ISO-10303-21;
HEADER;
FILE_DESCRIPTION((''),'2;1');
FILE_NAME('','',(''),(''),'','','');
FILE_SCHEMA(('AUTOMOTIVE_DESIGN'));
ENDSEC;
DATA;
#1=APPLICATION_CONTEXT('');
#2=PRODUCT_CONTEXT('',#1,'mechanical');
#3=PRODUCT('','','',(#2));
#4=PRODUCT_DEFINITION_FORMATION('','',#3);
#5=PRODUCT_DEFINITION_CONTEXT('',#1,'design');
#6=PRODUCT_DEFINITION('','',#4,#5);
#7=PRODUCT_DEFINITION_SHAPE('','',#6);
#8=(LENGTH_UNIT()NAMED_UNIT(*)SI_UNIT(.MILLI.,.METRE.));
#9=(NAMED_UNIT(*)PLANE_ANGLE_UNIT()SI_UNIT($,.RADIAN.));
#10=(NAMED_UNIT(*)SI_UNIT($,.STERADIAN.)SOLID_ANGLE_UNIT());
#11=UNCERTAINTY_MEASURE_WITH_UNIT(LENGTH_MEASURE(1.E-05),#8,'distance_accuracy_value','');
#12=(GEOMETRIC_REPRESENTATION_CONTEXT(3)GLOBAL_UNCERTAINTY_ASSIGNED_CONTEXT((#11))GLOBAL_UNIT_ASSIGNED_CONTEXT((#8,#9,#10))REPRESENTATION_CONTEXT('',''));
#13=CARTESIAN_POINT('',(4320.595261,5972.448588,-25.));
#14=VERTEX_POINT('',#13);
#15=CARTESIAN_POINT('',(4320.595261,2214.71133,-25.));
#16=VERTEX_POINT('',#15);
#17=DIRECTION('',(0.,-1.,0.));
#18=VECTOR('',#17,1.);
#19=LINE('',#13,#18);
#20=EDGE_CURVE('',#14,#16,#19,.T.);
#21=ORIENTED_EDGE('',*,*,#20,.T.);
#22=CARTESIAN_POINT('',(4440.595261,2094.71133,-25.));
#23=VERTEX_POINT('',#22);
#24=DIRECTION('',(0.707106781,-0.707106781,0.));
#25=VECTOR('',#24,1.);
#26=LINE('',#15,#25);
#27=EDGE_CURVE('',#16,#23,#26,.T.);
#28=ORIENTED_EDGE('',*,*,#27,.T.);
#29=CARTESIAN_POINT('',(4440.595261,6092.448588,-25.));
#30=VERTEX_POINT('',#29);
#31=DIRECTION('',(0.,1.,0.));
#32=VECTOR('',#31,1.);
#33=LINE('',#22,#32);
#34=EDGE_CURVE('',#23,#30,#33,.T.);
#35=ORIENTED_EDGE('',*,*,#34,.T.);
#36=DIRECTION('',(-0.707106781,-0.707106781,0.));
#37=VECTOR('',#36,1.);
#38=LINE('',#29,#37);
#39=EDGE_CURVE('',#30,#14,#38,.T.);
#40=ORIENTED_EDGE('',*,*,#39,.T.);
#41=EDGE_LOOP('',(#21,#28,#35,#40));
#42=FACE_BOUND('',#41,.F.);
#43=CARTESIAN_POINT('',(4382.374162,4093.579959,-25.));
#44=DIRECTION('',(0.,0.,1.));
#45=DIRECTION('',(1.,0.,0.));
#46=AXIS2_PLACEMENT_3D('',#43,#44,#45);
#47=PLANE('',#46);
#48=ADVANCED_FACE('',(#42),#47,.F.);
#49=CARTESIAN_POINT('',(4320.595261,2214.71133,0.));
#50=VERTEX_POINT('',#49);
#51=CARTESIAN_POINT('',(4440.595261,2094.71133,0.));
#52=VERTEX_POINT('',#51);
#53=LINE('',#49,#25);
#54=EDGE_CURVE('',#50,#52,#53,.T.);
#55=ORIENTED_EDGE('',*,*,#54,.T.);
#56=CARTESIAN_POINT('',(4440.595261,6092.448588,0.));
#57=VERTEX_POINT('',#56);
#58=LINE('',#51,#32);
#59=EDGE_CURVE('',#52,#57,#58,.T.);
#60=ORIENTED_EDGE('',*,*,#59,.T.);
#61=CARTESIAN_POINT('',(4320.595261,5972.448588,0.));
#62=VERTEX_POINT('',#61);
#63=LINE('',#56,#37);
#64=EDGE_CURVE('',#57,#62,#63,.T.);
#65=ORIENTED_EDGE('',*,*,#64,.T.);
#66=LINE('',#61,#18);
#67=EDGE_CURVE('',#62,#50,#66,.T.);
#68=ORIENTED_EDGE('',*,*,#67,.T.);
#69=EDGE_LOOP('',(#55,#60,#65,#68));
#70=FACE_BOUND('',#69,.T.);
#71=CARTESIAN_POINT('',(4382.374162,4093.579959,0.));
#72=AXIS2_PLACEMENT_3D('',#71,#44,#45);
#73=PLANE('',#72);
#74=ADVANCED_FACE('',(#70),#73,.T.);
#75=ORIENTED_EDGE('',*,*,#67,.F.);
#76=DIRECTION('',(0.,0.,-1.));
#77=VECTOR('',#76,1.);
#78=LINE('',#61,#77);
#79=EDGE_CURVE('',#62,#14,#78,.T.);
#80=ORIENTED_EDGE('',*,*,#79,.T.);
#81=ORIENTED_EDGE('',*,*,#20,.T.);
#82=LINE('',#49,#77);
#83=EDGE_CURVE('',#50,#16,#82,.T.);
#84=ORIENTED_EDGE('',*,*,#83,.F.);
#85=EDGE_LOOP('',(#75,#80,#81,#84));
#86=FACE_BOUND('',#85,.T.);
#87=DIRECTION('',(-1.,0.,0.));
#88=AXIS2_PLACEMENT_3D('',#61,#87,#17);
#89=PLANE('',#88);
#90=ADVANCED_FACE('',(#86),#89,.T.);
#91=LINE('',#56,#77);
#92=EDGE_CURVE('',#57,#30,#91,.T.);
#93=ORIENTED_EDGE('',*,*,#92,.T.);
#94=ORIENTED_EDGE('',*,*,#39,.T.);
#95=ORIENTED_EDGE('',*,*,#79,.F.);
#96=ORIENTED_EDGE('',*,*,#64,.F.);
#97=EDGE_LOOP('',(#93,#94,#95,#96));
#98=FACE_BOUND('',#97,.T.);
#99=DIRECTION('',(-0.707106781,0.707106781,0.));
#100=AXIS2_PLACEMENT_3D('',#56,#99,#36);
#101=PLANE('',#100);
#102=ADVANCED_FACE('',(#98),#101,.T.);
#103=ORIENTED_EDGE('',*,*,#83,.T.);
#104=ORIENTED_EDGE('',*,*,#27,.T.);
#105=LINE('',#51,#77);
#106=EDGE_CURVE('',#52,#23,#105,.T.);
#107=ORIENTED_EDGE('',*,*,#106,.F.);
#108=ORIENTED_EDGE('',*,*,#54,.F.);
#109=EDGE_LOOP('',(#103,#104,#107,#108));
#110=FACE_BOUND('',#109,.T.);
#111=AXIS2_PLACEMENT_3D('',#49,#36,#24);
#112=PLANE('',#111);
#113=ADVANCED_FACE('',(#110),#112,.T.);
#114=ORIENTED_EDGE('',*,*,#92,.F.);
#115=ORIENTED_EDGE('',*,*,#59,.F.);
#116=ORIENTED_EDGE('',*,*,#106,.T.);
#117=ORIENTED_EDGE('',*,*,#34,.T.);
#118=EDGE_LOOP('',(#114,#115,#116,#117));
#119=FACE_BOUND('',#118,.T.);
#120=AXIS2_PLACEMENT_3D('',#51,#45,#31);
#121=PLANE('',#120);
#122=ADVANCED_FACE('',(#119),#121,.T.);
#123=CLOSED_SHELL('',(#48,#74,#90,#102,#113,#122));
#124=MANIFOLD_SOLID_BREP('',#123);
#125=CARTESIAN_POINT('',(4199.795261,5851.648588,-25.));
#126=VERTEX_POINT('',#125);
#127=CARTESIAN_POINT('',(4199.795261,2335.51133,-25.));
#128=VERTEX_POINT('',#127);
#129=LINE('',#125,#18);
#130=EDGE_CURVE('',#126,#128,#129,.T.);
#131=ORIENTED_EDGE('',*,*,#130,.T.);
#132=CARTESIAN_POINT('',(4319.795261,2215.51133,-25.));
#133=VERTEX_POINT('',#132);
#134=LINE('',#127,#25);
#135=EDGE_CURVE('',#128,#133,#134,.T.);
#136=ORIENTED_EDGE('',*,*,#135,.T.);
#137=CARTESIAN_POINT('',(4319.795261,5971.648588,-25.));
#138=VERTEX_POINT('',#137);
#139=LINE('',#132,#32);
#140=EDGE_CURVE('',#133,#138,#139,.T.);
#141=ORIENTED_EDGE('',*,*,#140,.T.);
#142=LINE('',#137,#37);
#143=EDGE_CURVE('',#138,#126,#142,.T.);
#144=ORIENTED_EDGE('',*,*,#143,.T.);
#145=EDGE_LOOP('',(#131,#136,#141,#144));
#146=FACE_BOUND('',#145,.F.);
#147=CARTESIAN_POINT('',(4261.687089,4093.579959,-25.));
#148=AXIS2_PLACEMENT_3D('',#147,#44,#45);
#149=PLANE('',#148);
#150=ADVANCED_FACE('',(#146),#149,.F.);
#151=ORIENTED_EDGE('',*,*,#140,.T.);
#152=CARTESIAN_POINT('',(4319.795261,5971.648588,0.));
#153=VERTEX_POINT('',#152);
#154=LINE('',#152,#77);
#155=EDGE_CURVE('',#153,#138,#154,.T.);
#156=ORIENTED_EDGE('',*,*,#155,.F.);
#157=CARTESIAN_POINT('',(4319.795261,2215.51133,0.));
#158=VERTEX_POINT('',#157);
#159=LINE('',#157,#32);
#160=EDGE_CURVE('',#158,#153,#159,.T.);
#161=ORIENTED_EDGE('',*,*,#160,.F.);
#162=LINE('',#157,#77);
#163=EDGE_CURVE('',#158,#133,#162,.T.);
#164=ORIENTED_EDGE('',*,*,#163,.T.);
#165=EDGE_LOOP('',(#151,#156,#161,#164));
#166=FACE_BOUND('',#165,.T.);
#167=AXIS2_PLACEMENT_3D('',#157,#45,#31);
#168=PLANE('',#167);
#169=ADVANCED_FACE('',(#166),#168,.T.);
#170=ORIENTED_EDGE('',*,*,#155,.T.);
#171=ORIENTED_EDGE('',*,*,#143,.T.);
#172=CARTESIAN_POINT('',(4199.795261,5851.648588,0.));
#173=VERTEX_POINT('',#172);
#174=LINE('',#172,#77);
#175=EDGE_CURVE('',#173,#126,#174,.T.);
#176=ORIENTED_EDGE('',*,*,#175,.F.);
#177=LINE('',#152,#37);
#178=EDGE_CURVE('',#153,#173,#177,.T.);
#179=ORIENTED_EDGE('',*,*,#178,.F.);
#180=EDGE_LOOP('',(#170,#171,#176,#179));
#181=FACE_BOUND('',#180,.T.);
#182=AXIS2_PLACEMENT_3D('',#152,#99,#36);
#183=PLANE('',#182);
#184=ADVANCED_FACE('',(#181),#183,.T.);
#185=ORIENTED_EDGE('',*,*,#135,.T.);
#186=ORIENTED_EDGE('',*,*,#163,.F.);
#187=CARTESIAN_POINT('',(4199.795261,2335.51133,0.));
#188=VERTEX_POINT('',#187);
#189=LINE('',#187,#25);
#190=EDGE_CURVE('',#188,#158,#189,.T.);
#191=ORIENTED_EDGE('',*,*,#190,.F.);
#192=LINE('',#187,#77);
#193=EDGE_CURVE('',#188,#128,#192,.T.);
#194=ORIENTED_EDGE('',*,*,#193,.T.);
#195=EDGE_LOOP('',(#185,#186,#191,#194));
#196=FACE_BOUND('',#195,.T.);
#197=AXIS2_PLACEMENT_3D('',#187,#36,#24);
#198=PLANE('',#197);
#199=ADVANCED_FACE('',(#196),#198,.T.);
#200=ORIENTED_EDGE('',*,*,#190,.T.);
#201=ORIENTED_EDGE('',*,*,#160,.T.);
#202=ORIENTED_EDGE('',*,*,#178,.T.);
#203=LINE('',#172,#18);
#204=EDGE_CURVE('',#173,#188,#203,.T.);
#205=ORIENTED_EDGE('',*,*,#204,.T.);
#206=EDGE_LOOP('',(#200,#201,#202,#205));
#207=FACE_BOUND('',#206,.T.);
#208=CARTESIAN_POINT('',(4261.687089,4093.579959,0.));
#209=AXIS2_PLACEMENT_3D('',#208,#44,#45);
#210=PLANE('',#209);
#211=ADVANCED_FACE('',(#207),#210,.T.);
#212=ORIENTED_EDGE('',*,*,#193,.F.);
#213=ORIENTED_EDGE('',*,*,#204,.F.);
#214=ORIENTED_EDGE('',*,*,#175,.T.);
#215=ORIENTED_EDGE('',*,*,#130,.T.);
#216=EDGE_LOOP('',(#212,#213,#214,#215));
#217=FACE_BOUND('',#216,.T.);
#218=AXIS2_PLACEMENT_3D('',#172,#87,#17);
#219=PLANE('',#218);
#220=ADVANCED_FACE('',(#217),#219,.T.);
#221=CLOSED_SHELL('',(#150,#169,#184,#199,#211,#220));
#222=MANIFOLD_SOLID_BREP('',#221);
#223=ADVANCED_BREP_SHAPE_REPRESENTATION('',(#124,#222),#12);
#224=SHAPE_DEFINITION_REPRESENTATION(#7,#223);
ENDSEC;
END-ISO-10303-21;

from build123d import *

# Parameters (mm, degrees)
F1_DEPTH = 25


with BuildPart() as f1:
    # F0 (on Top) → F1 (new body)
    with BuildSketch(Plane.XY):
        Polygon((4319.795261, 2215.51133), (4319.795261, 5971.648588), (4199.795261, 5851.648588), (4199.795261, 2335.51133), align=None)
        Polygon((4440.595261, 2094.71133), (4440.595261, 6092.448588), (4320.595261, 5972.448588), (4320.595261, 2214.71133), align=None)
    extrude(amount=-F1_DEPTH)


solid = f1.part
